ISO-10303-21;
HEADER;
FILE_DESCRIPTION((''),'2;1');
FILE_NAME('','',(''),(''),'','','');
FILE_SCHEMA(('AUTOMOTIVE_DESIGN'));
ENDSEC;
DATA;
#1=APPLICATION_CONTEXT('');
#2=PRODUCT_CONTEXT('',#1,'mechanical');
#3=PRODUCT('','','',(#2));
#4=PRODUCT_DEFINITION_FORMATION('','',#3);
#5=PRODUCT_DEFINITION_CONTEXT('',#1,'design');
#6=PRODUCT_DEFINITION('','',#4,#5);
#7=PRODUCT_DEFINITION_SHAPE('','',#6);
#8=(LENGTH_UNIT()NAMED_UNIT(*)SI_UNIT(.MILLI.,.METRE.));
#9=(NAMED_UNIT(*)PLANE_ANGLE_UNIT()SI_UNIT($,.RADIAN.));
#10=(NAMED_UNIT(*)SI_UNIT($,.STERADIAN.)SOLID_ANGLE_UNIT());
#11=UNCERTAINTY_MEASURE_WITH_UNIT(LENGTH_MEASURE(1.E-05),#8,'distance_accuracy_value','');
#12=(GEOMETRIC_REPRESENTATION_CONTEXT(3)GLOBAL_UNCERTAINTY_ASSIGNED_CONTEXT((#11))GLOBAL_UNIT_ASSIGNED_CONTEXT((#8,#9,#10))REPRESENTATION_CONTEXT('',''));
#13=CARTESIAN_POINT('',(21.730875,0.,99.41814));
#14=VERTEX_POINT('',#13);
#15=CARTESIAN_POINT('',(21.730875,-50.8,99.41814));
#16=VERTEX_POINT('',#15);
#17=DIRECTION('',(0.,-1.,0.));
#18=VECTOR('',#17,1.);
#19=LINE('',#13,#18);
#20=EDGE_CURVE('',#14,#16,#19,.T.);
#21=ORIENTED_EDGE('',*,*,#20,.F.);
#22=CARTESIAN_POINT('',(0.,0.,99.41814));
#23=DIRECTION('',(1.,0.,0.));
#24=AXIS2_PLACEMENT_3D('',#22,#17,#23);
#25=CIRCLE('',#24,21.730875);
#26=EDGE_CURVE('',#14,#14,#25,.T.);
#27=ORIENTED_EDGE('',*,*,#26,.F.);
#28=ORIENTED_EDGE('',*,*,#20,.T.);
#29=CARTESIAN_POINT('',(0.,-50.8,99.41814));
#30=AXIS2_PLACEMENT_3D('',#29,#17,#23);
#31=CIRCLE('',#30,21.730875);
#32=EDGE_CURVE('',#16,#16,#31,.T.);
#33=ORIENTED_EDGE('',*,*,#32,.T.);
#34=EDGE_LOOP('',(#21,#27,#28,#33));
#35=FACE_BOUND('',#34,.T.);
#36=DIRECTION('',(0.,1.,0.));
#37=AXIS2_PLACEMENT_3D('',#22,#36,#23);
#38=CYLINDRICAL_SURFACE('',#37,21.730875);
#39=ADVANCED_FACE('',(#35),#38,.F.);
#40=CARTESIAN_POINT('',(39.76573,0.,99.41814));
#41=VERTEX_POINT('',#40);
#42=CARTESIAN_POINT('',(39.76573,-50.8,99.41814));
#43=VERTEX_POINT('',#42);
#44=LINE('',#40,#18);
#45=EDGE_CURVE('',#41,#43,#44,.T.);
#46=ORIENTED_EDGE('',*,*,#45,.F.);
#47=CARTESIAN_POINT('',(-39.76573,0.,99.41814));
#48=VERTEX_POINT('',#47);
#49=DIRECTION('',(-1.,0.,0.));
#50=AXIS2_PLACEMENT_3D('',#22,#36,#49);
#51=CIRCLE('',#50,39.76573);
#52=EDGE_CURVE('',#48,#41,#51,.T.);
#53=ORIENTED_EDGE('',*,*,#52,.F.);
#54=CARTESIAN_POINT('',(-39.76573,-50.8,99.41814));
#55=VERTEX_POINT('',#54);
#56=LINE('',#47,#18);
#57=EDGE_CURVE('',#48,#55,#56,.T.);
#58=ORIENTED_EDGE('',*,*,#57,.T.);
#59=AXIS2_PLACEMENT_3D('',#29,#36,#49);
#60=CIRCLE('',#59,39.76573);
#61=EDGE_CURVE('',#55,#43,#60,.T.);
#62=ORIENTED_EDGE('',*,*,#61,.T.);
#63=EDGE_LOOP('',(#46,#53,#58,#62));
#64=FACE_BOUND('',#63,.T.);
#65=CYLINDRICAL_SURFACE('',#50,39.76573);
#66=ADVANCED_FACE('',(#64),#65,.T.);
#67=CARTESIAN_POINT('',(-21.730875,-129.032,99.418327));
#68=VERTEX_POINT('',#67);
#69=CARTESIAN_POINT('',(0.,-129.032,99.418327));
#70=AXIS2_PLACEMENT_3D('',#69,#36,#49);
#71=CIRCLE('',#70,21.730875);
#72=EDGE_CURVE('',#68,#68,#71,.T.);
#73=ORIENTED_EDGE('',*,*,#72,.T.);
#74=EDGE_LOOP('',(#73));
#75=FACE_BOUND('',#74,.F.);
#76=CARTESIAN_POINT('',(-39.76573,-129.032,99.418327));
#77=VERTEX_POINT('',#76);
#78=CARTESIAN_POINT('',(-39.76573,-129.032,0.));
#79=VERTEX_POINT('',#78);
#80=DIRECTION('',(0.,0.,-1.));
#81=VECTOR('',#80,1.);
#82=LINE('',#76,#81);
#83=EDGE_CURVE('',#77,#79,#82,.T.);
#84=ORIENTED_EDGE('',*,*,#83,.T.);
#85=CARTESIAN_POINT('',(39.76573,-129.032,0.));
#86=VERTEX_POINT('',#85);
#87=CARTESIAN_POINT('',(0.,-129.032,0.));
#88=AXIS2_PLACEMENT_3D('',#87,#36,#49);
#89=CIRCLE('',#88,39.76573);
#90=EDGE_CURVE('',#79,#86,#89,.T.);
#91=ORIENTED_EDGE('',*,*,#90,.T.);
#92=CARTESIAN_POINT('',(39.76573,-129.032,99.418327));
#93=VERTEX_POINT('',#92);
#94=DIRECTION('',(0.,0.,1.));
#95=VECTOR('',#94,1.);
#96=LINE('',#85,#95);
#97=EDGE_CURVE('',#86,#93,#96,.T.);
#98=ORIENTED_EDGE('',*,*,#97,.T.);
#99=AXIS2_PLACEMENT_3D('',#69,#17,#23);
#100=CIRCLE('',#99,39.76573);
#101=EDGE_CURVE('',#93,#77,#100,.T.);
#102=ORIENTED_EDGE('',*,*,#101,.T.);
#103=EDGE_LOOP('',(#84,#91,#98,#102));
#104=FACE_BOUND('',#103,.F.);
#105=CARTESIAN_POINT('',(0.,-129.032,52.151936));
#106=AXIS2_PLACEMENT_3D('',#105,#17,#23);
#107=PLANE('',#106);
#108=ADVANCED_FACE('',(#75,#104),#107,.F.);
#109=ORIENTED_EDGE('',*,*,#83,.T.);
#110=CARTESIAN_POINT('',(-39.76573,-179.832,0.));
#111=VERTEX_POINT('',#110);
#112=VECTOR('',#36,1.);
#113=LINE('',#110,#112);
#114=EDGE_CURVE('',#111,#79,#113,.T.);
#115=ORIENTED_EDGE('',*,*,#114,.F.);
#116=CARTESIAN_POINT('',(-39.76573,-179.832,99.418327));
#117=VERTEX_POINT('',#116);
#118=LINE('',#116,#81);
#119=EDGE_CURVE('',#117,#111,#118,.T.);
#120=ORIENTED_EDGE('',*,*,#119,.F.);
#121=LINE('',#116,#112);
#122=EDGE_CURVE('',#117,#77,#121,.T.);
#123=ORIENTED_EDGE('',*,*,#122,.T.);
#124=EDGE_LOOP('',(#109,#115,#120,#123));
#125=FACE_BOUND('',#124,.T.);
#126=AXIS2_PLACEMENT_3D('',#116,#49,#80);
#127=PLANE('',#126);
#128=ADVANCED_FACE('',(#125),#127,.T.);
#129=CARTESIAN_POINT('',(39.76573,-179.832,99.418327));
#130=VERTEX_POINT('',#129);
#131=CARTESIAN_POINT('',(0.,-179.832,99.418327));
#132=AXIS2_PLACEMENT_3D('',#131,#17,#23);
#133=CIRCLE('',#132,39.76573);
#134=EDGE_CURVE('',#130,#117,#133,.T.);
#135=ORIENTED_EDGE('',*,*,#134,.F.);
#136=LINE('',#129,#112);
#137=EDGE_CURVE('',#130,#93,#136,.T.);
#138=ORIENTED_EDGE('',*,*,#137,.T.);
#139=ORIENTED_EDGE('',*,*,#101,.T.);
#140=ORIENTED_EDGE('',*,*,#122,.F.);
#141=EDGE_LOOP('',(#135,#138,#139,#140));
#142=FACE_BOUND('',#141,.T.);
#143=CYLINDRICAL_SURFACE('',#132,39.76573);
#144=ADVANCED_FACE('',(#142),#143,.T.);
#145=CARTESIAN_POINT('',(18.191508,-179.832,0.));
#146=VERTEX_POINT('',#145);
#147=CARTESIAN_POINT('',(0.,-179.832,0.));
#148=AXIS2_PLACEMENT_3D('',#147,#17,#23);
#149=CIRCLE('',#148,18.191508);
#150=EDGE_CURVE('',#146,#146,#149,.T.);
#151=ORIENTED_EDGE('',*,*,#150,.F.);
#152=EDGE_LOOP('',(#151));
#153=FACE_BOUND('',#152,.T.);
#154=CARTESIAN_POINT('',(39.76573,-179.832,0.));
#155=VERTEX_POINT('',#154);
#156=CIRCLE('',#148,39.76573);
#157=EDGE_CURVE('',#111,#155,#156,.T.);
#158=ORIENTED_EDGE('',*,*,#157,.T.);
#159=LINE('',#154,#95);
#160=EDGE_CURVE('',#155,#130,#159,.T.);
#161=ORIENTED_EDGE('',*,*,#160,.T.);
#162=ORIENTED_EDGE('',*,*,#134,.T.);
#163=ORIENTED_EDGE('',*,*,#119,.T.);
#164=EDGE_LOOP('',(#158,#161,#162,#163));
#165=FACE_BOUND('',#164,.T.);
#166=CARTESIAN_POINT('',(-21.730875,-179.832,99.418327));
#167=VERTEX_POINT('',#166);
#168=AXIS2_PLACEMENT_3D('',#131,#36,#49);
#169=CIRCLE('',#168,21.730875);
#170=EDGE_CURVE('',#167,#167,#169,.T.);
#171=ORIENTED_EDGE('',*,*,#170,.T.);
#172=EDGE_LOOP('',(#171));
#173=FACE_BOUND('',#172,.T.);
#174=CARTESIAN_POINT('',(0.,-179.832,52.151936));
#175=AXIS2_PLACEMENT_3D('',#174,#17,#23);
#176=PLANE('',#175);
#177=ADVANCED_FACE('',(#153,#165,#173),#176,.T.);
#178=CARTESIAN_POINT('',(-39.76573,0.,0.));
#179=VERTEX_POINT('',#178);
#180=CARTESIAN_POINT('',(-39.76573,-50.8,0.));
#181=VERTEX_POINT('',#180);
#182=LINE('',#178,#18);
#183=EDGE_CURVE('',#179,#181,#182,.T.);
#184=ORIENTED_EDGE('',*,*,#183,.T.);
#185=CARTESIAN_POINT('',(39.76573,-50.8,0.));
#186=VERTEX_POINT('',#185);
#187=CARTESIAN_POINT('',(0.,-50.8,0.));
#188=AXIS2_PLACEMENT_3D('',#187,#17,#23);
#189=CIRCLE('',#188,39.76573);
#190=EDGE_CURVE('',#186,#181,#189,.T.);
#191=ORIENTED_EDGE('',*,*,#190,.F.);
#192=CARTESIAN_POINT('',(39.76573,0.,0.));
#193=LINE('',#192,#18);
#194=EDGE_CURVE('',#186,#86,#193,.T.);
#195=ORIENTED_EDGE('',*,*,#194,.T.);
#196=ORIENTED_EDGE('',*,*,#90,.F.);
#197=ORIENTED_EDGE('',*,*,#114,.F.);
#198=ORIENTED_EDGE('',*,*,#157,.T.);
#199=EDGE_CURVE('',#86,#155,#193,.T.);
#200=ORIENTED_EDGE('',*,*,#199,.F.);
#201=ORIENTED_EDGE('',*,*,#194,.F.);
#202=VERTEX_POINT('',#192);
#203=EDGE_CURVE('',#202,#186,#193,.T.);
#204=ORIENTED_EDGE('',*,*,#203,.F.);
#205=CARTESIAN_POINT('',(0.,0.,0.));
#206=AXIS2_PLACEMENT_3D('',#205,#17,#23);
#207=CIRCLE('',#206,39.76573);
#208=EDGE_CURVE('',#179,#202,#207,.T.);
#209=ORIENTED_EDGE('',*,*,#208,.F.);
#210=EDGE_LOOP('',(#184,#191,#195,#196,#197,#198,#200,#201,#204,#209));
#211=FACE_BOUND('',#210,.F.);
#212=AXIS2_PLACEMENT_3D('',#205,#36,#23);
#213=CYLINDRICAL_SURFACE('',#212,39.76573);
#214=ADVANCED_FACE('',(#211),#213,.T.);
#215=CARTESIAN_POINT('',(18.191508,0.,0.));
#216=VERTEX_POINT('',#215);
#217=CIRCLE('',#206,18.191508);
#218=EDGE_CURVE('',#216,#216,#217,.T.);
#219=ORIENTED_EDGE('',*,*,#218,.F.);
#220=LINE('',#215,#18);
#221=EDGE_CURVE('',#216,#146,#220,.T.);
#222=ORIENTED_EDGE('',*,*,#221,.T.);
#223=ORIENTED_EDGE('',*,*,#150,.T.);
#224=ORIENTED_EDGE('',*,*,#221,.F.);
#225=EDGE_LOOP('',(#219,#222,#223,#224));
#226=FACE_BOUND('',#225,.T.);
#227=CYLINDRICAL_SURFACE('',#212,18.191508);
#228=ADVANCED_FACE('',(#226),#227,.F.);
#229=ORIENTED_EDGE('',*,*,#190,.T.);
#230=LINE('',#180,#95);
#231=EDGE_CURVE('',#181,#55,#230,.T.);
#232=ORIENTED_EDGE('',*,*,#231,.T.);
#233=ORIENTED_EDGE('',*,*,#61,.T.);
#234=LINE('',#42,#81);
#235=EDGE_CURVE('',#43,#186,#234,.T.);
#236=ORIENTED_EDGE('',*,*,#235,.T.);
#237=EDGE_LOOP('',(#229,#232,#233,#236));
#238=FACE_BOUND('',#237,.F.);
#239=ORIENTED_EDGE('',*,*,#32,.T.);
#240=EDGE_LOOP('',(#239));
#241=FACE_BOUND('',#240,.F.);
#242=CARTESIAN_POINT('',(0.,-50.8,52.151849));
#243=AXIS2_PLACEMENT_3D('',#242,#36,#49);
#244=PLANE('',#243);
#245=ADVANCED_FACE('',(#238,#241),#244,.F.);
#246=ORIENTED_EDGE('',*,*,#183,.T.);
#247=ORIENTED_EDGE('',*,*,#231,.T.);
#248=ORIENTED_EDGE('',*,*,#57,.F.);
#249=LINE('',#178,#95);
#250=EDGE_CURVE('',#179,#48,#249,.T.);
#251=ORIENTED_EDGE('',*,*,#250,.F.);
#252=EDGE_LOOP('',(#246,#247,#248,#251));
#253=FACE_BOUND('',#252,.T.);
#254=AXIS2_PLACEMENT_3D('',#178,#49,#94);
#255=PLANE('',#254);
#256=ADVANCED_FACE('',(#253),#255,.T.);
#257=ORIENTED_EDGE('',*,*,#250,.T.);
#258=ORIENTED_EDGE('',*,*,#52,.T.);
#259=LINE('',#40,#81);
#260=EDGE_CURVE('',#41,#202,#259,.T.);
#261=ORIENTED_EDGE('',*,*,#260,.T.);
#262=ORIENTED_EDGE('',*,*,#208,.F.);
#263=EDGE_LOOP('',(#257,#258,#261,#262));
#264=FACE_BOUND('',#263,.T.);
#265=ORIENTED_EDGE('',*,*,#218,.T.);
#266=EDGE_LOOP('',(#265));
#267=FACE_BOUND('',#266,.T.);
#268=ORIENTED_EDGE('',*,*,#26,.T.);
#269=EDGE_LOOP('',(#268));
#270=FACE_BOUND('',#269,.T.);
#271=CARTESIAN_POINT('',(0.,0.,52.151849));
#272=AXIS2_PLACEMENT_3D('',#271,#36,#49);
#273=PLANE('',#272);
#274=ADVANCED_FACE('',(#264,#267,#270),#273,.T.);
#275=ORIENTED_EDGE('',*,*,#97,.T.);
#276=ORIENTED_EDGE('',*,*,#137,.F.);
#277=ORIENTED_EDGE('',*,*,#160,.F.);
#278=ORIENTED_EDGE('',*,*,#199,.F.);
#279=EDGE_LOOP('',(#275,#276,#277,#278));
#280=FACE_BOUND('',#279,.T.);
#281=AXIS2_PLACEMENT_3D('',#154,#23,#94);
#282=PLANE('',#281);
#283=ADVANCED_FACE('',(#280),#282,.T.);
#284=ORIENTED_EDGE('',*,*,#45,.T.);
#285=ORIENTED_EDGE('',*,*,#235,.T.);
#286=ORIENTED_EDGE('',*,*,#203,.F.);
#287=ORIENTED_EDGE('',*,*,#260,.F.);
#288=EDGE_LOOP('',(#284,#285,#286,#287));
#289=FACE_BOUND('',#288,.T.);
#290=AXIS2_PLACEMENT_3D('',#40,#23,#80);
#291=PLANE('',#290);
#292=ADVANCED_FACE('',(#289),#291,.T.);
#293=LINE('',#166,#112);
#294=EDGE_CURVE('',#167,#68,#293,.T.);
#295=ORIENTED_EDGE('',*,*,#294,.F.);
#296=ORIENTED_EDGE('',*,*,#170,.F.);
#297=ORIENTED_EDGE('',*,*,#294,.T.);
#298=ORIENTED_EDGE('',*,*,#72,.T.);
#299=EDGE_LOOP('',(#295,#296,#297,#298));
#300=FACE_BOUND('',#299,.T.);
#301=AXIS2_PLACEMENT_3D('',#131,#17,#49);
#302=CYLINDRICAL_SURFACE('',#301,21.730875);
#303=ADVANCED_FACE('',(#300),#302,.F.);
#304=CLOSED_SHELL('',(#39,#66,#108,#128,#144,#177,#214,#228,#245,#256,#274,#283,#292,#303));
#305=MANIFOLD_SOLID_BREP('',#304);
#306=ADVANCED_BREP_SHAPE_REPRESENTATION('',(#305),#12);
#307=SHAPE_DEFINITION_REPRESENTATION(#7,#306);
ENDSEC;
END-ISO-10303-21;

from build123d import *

# Parameters (mm, degrees)
F0_R     = 39.76573
F0_R_2   = 18.191508
F1_DEPTH = 179.832
F4_DEPTH = 50.8
F5_DEPTH = 50.8


with BuildPart() as f1:
    # F0 (on Front) → F1 (new body)
    with BuildSketch(Plane.XZ):
        Circle(F0_R)
        Circle(F0_R_2, mode=Mode.SUBTRACT)
    extrude(amount=F1_DEPTH)

    # F3 (on face) → F4 (join)
    with BuildSketch(Plane(origin=(0, 0, 0), x_dir=(-1, 0, 0), z_dir=(0, 1, 0))):
        with BuildLine():
            Line((-39.76573, 99.41814), (-39.76573, 0))
            ThreePointArc((-39.76573, 0), (0, 39.76573), (39.76573, 0))
            Line((39.76573, 0), (39.76573, 99.41814))
            Line((39.76573, 99.41814), (21.730875, 99.41814))
            ThreePointArc((21.730875, 99.41814), (0, 77.687265), (-21.730875, 99.41814))
            Line((-21.730875, 99.41814), (-39.76573, 99.41814))
        make_face()
        with BuildLine():
            ThreePointArc((39.76573, 99.41814), (0, 139.18387), (-39.76573, 99.41814))
            Line((-39.76573, 99.41814), (-21.730875, 99.41814))
            ThreePointArc((-21.730875, 99.41814), (0, 121.149015), (21.730875, 99.41814))
            Line((21.730875, 99.41814), (39.76573, 99.41814))
        make_face()
    extrude(amount=-F4_DEPTH)

    # F2 (on face) → F5 (join)
    with BuildSketch(Plane.XZ.offset(179.832)):
        with BuildLine():
            Line((-39.76573, 99.418327), (-39.76573, 0))
            ThreePointArc((-39.76573, 0), (0, 39.76573), (39.76573, 0))
            Line((39.76573, 0), (39.76573, 99.418327))
            Line((39.76573, 99.418327), (21.730875, 99.418327))
            ThreePointArc((21.730875, 99.418327), (0, 77.687452), (-21.730875, 99.418327))
            Line((-21.730875, 99.418327), (-39.76573, 99.418327))
        make_face()
        with BuildLine():
            ThreePointArc((39.76573, 99.418327), (0, 139.184057), (-39.76573, 99.418327))
            Line((-39.76573, 99.418327), (-21.730875, 99.418327))
            ThreePointArc((-21.730875, 99.418327), (0, 121.149202), (21.730875, 99.418327))
            Line((21.730875, 99.418327), (39.76573, 99.418327))
        make_face()
    extrude(amount=-F5_DEPTH)


solid = f1.part
